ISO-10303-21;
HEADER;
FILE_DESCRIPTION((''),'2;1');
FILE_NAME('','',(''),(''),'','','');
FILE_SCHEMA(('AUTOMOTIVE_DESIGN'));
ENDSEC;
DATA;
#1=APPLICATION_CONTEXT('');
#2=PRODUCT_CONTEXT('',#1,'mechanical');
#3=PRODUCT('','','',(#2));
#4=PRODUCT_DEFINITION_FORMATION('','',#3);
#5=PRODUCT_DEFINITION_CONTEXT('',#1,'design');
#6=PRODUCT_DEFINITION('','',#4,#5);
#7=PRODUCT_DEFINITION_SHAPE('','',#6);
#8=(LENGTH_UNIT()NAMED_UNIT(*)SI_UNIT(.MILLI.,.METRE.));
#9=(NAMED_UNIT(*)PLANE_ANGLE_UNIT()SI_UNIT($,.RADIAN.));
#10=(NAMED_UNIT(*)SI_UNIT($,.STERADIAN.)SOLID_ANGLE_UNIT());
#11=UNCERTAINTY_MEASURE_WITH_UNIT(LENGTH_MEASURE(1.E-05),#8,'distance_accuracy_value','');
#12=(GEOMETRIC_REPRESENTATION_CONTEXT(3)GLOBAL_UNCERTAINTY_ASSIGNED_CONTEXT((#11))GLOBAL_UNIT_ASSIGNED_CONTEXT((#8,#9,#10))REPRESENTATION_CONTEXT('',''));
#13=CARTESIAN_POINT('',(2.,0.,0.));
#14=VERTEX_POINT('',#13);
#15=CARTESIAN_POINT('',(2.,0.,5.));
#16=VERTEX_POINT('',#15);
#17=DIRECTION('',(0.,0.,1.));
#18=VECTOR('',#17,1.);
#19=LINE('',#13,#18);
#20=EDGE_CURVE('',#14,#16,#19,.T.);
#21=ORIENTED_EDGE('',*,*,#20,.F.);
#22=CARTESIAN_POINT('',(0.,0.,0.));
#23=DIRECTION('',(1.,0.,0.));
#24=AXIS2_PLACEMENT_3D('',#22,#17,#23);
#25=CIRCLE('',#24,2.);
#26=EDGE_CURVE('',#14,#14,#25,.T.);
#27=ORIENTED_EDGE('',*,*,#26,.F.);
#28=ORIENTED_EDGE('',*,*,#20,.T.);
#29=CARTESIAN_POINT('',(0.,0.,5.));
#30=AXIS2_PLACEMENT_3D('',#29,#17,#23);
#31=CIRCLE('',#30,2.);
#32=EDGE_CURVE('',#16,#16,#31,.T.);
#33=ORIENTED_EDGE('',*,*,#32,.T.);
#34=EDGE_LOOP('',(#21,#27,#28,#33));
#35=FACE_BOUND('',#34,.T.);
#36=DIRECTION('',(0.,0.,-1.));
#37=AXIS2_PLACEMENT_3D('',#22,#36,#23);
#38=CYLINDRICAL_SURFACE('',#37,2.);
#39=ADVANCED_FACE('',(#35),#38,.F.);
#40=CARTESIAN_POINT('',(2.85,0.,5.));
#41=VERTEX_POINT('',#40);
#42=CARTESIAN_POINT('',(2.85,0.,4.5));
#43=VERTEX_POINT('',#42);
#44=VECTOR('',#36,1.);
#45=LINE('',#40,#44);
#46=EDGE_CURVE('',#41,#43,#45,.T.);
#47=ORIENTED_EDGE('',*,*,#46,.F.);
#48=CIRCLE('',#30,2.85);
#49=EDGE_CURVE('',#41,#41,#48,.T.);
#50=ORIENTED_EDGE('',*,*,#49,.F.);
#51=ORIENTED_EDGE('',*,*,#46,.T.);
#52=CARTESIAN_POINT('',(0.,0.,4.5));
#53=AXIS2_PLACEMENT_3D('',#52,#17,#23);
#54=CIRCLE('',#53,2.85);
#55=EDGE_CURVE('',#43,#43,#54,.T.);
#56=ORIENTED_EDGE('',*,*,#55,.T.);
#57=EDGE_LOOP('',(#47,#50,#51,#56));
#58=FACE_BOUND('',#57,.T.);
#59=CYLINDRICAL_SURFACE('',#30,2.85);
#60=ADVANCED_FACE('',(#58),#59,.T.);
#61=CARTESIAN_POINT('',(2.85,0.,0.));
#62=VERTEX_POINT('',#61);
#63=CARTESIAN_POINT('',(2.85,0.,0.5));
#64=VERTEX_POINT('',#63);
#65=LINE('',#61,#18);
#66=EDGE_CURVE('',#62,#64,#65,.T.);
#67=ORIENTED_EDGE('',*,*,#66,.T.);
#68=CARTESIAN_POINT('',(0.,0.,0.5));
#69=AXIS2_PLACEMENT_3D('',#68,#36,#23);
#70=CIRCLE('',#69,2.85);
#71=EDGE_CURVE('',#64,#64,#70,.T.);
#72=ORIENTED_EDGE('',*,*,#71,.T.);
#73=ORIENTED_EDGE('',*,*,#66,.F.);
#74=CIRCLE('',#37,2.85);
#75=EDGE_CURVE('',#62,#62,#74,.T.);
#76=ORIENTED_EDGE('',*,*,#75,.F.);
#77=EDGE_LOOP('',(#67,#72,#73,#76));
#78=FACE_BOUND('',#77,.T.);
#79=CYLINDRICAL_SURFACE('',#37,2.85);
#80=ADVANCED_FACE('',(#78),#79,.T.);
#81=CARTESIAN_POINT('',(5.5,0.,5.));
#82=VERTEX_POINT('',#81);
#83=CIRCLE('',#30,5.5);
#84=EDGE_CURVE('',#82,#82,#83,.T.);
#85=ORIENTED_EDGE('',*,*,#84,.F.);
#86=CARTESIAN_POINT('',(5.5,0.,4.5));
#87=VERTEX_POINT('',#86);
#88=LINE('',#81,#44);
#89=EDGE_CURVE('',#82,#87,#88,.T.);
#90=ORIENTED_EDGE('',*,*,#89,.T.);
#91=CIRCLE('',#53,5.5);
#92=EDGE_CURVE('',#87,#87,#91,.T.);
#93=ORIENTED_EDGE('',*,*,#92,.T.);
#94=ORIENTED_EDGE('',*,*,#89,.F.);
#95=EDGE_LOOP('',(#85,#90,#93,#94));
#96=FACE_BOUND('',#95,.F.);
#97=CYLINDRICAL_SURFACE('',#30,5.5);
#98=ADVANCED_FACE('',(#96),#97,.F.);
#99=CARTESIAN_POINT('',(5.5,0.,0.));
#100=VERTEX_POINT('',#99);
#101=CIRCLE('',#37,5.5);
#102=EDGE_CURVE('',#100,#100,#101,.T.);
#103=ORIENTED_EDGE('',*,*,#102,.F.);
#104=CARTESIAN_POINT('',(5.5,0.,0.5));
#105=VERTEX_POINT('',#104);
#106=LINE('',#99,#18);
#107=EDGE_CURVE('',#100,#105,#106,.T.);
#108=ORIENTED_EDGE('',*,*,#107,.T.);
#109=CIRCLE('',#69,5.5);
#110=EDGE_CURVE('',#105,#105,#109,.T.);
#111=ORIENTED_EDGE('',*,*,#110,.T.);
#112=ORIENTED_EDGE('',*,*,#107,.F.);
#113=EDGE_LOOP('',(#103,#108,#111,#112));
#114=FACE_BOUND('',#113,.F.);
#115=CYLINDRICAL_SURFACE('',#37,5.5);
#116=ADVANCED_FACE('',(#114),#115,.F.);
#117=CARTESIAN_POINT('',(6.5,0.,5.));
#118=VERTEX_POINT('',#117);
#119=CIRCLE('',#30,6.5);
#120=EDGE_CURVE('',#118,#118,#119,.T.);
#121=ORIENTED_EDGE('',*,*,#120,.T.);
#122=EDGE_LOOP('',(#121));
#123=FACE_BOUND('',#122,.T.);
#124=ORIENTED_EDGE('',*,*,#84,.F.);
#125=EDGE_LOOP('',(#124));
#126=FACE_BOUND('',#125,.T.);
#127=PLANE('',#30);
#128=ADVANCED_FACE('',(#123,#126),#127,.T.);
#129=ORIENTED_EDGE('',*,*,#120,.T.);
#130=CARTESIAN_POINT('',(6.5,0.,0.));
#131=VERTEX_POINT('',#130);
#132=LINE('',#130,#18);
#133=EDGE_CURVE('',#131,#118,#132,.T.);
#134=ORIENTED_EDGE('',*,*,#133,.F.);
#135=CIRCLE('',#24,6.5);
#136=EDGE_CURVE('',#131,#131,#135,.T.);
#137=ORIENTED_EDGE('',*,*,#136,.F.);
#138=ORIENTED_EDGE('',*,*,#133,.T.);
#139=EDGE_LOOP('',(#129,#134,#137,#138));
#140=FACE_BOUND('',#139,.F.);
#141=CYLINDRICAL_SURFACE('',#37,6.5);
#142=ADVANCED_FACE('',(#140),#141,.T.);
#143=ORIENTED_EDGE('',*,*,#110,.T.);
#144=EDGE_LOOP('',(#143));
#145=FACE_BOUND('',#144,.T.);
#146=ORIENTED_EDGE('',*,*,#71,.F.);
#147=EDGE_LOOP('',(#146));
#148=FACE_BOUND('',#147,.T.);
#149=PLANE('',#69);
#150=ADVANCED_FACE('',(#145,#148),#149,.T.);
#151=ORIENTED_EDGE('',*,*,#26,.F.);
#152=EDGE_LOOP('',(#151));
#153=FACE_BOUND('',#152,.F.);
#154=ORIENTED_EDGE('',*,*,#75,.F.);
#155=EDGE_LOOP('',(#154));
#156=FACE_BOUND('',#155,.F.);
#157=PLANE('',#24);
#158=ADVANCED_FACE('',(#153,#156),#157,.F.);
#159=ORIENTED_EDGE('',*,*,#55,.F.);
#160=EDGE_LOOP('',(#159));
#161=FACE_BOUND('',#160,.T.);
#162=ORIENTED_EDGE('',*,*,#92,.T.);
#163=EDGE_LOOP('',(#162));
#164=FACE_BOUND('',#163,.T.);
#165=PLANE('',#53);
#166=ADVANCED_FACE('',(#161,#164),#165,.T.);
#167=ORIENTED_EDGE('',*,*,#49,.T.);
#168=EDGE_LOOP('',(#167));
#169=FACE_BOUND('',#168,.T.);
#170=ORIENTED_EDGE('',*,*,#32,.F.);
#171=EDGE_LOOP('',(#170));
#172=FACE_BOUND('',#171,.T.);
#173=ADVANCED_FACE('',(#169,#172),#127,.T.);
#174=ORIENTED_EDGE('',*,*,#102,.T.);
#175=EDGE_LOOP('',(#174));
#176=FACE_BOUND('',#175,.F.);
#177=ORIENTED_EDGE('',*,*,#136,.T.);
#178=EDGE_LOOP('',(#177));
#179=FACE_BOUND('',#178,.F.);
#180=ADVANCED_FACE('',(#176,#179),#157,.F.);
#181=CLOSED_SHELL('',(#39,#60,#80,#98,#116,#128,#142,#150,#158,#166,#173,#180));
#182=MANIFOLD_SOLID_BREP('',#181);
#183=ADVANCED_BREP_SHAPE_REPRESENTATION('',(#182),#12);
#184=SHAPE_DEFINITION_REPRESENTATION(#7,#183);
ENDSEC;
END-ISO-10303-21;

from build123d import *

# Parameters (mm, degrees)
SKETCH_R        = 6.5
SKETCH_R_2      = 2
PAD_DEPTH       = 5
SKETCH001_R     = 5.5
SKETCH001_R_2   = 2.85
POCKET_DEPTH    = 0.5
SKETCH002_R     = 5.5
SKETCH002_R_2   = 2.85
POCKET001_DEPTH = 0.5


with BuildPart() as part:
    # Sketch → Pad (new body)
    with BuildSketch(Plane.XY):
        Circle(SKETCH_R)
        Circle(SKETCH_R_2, mode=Mode.SUBTRACT)
    extrude(amount=PAD_DEPTH)

    # Sketch001 (on Face4 of Pad) → Pocket (cut)
    with BuildSketch(Plane.XY.offset(5)):
        Circle(SKETCH001_R)
        Circle(SKETCH001_R_2, mode=Mode.SUBTRACT)
    extrude(amount=-POCKET_DEPTH, mode=Mode.SUBTRACT)

    # Sketch002 (on Face2 of Pocket) → Pocket001 (cut)
    with BuildSketch(Plane(origin=(0, 0, 0), x_dir=(1, 0, 0), z_dir=(0, 0, -1))):
        Circle(SKETCH002_R)
        Circle(SKETCH002_R_2, mode=Mode.SUBTRACT)
    extrude(amount=-POCKET001_DEPTH, mode=Mode.SUBTRACT)


solid = part.part
